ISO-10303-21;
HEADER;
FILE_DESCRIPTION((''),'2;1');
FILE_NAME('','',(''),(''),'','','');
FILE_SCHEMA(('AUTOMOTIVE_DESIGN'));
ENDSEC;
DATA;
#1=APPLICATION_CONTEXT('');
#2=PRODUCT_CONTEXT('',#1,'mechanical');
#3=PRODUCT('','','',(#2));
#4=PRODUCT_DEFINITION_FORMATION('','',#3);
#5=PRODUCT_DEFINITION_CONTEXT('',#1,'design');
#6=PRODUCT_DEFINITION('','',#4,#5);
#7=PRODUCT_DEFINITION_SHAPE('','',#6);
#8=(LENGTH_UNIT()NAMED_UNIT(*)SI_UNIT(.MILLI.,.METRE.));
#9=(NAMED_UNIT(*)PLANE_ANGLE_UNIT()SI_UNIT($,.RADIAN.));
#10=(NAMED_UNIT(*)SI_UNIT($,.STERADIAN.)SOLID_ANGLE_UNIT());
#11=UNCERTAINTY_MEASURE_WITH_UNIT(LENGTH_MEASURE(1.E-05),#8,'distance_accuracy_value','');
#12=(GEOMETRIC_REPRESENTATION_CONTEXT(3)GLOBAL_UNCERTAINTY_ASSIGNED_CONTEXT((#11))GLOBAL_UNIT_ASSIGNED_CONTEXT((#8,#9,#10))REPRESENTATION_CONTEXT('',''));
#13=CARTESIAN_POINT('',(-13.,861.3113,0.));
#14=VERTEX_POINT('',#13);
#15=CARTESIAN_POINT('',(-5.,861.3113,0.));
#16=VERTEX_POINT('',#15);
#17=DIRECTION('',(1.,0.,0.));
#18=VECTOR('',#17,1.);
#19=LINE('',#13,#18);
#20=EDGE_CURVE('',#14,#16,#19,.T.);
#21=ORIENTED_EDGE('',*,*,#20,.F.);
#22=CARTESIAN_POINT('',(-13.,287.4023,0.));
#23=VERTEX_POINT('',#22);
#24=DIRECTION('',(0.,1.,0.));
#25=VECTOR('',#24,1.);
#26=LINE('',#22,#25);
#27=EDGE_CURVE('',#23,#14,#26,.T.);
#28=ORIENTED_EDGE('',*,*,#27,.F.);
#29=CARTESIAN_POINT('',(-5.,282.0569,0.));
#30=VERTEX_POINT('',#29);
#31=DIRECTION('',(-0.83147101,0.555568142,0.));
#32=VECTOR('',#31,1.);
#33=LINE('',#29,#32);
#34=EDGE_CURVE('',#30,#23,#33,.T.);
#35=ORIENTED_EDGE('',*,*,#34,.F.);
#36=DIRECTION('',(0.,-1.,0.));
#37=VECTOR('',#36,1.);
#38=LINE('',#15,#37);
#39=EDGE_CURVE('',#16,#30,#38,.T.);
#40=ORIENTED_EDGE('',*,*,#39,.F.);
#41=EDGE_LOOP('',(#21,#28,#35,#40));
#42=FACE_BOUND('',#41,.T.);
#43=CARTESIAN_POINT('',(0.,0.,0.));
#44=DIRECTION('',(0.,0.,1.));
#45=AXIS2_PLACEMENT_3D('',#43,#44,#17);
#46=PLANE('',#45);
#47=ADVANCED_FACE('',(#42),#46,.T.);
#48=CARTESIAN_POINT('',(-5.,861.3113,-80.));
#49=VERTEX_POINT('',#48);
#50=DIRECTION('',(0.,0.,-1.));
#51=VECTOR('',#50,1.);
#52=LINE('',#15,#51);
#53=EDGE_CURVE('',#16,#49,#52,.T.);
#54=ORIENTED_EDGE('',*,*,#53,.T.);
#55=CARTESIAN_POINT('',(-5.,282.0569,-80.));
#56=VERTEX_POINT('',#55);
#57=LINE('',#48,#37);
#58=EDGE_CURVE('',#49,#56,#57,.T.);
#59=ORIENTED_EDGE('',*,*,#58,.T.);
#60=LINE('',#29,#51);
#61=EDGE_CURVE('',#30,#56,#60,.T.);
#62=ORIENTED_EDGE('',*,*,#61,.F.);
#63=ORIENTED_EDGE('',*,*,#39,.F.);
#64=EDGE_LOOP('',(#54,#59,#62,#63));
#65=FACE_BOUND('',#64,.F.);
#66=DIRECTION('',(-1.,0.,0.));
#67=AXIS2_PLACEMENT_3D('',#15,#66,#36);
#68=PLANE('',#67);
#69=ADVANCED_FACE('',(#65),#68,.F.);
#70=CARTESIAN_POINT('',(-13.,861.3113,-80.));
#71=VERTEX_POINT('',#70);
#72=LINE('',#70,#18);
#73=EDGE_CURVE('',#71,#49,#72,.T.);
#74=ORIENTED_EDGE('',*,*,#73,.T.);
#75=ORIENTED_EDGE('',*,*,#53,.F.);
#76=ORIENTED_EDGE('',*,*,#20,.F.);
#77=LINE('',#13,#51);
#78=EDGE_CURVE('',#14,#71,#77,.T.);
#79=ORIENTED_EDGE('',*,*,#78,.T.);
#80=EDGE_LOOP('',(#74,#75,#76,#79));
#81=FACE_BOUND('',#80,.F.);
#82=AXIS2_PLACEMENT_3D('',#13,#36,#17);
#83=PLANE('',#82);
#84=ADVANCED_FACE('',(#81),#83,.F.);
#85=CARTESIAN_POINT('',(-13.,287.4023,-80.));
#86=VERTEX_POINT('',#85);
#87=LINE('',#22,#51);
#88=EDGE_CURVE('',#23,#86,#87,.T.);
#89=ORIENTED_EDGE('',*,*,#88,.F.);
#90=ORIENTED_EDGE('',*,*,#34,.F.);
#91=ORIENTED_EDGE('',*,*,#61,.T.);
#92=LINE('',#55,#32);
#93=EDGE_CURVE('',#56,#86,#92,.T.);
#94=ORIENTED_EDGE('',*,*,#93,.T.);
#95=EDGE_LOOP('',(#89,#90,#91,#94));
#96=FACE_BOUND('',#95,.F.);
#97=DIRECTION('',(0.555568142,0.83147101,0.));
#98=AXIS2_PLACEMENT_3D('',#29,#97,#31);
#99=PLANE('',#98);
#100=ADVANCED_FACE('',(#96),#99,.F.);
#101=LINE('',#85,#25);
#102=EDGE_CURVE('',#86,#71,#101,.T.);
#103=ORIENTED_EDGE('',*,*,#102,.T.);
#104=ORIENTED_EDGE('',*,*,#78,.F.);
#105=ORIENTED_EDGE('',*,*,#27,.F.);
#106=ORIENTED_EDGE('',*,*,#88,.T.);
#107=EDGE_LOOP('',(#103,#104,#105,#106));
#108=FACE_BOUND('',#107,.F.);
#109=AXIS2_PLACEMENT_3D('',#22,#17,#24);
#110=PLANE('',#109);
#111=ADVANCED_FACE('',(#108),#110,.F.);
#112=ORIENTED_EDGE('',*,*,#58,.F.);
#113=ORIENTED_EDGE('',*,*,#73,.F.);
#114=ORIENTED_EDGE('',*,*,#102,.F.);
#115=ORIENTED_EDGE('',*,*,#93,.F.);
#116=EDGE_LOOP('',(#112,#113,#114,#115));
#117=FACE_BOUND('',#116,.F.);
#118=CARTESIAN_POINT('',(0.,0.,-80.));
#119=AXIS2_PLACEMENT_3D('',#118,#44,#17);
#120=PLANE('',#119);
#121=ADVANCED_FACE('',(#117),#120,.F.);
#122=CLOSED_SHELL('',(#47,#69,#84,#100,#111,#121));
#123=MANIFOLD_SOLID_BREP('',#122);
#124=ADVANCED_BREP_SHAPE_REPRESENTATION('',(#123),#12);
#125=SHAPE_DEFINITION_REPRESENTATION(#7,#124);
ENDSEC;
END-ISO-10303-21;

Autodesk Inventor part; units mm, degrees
ref_plane "YZ Plane" through (0, 0, 0) normal (1, 0, 0) x (0, 1, 0)
ref_plane "XZ Plane" through (0, 0, 0) normal (0, 1, 0) x (-1, 0, 0)
ref_plane "XY Plane" through (0, 0, 0) normal (0, 0, 1) x (1, 0, 0)
sketch "Sketch1" plane through (0, 0, 0) normal (0, 0, 1) x (1, 0, 0)
  line L0 (0, 278.716) -> (197.082, 197.082) construction
  line L1 (197.082, 197.082) -> (278.716, 0) construction
  line L2 (278.716, 0) -> (197.082, -197.082) construction
  line L3 (197.082, -197.082) -> (0, -278.716) construction
  line L4 (0, -278.716) -> (-197.082, -197.082) construction
  line L5 (-197.082, -197.082) -> (-278.716, 0) construction
  line L6 (-278.716, 0) -> (-197.082, 197.082) construction
  line L7 (-197.082, 197.082) -> (0, 278.716) construction
  line L8 (-197.082, 197.082) -> (0, 278.716) construction
  line L9 (-461.6493, 774.8136) -> (-221.4406, 874.3113) construction
  line L10 (-98.541, 237.899) -> (-341.545, 824.5625) construction
  line L11 (-221.4406, 874.3113) -> (0, 874.3113) construction
  line L12 (0, 874.3113) -> (0, 278.716) construction
  line L13 (-461.6493, 774.8136) -> (-618.2315, 618.2315) construction
  line L14 (-618.2315, 618.2315) -> (-197.082, 197.082) construction
  line L15 (-5, 282.0569) -> (-195.9088, 202.9799) construction
  line L16 (-195.9088, 202.9799) -> (-611.1604, 618.2315) construction
  line L17 (-611.1604, 618.2315) -> (-458.817, 770.5748) construction
  line L18 (-458.817, 770.5748) -> (-220.4461, 869.3113) construction
  line L19 (-220.4461, 869.3113) -> (-5, 869.3113) construction
  line L20 (-5, 869.3113) -> (-5, 282.0569) construction
  line L21 (-13, 287.4023) -> (-194.0317, 212.4165) construction
  line L22 (-194.0317, 212.4165) -> (-599.8467, 618.2315) construction
  line L23 (-599.8467, 618.2315) -> (-454.2854, 763.7928) construction
  line L24 (-454.2854, 763.7928) -> (-218.8548, 861.3113) construction
  line L25 (-218.8548, 861.3113) -> (-13, 861.3113) construction
  line L26 (-13, 861.3113) -> (-13, 287.4023) construction
  line L27 (-13, 861.3113) -> (-5, 861.3113)
  line L28 (-5, 861.3113) -> (-5, 282.0569)
  line L29 (-5, 282.0569) -> (-13, 287.4023)
  line L30 (-13, 287.4023) -> (-13, 861.3113)
  point P0 (0, 0)
  point P1 (0, 0)
  point P2 (0, 0)
  dimension "d0" = 515
  dimension "d1" = 260
  dimension "d2" = 635
  dimension "d10" = 5
  dimension "d11" = 8
extrude "Extrusion1" add sketch "Sketch1" against normal blind 80
equation "\"d0\" = Барабан_размер_по_плоскостям"
equation "\"d1\" = Кассета_длина_грани"
equation "\"d2\" = Кассета_высота"
equation "\"Барабан_размер_по_плоскостям\" = 515"
equation "\"Кассета_длина_грани\" = 260"
equation "\"Кассета_высота\" = 635"
properties part number "DMF 01 53 side part v2.1"
